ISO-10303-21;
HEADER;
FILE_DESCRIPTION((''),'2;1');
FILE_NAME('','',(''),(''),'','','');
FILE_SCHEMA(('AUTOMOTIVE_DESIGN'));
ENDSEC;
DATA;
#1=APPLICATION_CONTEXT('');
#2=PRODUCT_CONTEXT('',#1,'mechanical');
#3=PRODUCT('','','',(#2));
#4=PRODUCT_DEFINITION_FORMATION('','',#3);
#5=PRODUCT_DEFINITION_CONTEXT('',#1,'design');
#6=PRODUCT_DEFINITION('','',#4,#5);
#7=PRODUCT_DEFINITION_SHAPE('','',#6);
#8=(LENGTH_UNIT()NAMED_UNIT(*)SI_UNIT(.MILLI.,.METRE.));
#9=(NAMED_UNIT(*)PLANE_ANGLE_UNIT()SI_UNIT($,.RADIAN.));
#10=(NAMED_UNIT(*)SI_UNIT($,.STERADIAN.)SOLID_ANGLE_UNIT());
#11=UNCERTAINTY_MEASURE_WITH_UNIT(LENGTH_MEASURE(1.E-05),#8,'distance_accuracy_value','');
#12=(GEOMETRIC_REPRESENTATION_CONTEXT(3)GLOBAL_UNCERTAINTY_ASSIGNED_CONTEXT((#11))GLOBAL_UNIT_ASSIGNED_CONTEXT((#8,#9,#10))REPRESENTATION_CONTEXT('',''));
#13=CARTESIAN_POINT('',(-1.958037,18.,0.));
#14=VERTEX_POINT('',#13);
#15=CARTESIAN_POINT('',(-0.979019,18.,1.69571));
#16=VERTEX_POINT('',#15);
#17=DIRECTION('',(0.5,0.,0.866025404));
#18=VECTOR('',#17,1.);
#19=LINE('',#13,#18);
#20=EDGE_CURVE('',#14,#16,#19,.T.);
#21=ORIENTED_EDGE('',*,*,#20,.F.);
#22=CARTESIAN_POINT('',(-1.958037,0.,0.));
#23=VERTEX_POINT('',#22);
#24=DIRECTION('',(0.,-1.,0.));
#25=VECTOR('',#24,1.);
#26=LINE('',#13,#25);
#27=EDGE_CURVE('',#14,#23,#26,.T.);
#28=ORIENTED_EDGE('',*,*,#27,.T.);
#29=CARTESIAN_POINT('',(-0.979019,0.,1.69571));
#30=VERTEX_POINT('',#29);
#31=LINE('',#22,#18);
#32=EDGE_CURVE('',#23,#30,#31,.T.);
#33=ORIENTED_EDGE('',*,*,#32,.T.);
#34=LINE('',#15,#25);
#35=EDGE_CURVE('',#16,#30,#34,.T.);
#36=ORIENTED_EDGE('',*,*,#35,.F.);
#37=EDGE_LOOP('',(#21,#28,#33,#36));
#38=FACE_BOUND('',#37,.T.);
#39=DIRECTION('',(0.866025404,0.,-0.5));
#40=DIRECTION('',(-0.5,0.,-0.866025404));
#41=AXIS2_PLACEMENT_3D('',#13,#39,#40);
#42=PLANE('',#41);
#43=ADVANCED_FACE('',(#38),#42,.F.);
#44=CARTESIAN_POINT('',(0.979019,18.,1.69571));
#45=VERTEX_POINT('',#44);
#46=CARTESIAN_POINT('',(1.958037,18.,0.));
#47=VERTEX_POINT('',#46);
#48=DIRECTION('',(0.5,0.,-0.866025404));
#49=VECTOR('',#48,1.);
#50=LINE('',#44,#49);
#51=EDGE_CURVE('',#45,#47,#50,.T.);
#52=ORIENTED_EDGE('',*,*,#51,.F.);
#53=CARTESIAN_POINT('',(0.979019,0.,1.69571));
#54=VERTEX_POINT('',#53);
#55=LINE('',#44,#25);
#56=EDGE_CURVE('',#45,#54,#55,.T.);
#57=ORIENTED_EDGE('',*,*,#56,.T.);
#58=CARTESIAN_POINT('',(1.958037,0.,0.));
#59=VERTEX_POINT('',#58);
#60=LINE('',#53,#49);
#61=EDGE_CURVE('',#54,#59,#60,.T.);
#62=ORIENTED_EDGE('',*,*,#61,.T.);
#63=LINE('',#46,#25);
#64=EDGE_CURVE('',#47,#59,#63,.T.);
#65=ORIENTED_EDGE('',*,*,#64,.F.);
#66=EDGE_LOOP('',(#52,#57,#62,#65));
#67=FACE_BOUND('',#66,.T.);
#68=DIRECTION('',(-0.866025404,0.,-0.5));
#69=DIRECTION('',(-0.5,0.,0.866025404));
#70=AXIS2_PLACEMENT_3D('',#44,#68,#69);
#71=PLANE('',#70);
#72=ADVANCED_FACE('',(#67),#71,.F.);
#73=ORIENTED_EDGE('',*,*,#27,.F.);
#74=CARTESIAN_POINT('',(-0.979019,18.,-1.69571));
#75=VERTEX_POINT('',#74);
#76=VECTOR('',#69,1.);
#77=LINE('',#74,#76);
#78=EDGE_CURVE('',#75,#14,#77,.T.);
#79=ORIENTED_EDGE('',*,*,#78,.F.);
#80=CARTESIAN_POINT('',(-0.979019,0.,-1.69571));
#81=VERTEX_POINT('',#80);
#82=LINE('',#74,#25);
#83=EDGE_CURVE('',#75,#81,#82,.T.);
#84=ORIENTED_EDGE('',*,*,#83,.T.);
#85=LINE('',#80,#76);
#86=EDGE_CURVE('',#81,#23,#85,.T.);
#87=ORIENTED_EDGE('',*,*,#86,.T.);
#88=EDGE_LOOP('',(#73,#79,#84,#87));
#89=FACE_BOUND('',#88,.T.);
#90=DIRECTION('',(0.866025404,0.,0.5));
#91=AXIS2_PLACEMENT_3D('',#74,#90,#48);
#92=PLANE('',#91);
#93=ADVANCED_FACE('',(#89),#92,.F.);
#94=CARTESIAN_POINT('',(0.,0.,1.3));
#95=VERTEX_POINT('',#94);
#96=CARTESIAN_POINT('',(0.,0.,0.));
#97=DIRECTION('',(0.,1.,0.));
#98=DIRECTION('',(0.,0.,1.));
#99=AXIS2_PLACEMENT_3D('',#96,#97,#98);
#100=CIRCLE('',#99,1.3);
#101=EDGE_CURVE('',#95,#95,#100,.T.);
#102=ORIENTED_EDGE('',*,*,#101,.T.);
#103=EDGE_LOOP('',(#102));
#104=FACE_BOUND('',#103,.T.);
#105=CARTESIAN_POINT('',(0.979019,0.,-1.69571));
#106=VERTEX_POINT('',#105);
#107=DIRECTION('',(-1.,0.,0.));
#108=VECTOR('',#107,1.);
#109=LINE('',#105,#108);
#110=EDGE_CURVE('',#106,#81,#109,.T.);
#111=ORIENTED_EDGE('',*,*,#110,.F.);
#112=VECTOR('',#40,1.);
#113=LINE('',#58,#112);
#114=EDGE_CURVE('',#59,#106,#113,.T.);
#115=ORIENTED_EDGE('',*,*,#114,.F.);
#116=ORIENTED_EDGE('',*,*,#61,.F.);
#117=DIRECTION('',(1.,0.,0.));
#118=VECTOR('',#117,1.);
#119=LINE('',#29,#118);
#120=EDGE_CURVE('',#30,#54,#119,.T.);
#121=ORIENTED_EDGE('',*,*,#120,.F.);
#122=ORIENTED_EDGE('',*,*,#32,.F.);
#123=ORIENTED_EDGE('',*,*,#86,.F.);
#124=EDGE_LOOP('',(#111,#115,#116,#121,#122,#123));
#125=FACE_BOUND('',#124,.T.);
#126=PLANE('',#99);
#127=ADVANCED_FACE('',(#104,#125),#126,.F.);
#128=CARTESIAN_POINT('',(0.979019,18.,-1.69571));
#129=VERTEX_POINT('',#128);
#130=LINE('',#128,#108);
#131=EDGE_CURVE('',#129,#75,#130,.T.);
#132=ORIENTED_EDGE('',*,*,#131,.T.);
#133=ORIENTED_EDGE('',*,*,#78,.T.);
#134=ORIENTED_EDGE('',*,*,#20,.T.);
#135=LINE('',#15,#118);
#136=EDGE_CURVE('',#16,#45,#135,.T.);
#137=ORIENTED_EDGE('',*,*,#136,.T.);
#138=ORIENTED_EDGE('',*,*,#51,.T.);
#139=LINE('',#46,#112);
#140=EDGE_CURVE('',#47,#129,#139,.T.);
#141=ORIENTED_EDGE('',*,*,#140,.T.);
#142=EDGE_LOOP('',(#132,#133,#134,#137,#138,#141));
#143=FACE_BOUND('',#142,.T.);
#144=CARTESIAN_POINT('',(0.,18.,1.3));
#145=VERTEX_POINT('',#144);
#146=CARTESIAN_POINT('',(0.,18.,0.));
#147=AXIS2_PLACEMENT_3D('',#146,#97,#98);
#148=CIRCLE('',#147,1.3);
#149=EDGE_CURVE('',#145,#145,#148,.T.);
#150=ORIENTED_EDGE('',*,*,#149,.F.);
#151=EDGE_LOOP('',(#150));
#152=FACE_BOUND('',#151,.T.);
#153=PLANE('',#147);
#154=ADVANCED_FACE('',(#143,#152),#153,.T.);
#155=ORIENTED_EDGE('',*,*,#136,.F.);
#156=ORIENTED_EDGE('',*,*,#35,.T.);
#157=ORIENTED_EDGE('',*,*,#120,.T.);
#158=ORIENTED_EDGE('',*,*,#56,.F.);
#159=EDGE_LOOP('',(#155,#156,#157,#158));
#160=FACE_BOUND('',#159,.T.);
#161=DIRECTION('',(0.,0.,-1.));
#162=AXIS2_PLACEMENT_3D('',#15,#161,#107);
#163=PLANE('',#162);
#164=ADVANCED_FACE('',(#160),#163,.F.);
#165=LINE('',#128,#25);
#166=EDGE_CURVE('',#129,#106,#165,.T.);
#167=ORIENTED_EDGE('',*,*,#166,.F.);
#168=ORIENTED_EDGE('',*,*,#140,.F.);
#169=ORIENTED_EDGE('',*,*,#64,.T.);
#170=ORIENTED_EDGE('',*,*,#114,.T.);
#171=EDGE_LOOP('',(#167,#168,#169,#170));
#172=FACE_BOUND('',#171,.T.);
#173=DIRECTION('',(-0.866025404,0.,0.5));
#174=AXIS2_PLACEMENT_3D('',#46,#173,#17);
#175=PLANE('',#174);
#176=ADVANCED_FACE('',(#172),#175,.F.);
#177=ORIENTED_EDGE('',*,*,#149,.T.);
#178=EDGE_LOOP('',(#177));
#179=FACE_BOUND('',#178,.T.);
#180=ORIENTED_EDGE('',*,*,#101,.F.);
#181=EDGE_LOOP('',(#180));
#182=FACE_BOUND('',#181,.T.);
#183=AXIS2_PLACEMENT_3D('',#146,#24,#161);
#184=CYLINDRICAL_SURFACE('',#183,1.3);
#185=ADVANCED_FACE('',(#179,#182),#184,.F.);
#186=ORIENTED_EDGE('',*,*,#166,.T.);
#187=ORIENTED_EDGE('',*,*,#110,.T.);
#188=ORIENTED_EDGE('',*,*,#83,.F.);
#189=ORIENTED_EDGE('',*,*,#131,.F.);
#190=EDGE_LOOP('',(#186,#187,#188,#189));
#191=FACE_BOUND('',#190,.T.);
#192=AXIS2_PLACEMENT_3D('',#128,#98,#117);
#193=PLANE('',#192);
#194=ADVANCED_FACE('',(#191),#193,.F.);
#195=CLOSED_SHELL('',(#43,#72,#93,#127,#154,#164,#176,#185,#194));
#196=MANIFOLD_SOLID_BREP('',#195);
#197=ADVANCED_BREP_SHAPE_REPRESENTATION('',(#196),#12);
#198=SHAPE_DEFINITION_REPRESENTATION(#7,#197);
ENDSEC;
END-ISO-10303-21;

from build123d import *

# Parameters (mm, degrees)
SKETCH1_R           = 1.3
BOSS_EXTRUDE1_DEPTH = 18


with BuildPart() as part:
    # Sketch1 → Boss-Extrude1 (new body)
    with BuildSketch(Plane(origin=(0, 0, 0), x_dir=(1, 0, 0), z_dir=(0, 1, 0))):
        Polygon((0.979018569, -1.695709904), (1.958037139, 0), (0.979018569, 1.695709904), (-0.979018569, 1.695709904), (-1.958037139, 0), (-0.979018569, -1.695709904), align=None)
        Circle(SKETCH1_R, mode=Mode.SUBTRACT)
    extrude(amount=BOSS_EXTRUDE1_DEPTH)


solid = part.part
